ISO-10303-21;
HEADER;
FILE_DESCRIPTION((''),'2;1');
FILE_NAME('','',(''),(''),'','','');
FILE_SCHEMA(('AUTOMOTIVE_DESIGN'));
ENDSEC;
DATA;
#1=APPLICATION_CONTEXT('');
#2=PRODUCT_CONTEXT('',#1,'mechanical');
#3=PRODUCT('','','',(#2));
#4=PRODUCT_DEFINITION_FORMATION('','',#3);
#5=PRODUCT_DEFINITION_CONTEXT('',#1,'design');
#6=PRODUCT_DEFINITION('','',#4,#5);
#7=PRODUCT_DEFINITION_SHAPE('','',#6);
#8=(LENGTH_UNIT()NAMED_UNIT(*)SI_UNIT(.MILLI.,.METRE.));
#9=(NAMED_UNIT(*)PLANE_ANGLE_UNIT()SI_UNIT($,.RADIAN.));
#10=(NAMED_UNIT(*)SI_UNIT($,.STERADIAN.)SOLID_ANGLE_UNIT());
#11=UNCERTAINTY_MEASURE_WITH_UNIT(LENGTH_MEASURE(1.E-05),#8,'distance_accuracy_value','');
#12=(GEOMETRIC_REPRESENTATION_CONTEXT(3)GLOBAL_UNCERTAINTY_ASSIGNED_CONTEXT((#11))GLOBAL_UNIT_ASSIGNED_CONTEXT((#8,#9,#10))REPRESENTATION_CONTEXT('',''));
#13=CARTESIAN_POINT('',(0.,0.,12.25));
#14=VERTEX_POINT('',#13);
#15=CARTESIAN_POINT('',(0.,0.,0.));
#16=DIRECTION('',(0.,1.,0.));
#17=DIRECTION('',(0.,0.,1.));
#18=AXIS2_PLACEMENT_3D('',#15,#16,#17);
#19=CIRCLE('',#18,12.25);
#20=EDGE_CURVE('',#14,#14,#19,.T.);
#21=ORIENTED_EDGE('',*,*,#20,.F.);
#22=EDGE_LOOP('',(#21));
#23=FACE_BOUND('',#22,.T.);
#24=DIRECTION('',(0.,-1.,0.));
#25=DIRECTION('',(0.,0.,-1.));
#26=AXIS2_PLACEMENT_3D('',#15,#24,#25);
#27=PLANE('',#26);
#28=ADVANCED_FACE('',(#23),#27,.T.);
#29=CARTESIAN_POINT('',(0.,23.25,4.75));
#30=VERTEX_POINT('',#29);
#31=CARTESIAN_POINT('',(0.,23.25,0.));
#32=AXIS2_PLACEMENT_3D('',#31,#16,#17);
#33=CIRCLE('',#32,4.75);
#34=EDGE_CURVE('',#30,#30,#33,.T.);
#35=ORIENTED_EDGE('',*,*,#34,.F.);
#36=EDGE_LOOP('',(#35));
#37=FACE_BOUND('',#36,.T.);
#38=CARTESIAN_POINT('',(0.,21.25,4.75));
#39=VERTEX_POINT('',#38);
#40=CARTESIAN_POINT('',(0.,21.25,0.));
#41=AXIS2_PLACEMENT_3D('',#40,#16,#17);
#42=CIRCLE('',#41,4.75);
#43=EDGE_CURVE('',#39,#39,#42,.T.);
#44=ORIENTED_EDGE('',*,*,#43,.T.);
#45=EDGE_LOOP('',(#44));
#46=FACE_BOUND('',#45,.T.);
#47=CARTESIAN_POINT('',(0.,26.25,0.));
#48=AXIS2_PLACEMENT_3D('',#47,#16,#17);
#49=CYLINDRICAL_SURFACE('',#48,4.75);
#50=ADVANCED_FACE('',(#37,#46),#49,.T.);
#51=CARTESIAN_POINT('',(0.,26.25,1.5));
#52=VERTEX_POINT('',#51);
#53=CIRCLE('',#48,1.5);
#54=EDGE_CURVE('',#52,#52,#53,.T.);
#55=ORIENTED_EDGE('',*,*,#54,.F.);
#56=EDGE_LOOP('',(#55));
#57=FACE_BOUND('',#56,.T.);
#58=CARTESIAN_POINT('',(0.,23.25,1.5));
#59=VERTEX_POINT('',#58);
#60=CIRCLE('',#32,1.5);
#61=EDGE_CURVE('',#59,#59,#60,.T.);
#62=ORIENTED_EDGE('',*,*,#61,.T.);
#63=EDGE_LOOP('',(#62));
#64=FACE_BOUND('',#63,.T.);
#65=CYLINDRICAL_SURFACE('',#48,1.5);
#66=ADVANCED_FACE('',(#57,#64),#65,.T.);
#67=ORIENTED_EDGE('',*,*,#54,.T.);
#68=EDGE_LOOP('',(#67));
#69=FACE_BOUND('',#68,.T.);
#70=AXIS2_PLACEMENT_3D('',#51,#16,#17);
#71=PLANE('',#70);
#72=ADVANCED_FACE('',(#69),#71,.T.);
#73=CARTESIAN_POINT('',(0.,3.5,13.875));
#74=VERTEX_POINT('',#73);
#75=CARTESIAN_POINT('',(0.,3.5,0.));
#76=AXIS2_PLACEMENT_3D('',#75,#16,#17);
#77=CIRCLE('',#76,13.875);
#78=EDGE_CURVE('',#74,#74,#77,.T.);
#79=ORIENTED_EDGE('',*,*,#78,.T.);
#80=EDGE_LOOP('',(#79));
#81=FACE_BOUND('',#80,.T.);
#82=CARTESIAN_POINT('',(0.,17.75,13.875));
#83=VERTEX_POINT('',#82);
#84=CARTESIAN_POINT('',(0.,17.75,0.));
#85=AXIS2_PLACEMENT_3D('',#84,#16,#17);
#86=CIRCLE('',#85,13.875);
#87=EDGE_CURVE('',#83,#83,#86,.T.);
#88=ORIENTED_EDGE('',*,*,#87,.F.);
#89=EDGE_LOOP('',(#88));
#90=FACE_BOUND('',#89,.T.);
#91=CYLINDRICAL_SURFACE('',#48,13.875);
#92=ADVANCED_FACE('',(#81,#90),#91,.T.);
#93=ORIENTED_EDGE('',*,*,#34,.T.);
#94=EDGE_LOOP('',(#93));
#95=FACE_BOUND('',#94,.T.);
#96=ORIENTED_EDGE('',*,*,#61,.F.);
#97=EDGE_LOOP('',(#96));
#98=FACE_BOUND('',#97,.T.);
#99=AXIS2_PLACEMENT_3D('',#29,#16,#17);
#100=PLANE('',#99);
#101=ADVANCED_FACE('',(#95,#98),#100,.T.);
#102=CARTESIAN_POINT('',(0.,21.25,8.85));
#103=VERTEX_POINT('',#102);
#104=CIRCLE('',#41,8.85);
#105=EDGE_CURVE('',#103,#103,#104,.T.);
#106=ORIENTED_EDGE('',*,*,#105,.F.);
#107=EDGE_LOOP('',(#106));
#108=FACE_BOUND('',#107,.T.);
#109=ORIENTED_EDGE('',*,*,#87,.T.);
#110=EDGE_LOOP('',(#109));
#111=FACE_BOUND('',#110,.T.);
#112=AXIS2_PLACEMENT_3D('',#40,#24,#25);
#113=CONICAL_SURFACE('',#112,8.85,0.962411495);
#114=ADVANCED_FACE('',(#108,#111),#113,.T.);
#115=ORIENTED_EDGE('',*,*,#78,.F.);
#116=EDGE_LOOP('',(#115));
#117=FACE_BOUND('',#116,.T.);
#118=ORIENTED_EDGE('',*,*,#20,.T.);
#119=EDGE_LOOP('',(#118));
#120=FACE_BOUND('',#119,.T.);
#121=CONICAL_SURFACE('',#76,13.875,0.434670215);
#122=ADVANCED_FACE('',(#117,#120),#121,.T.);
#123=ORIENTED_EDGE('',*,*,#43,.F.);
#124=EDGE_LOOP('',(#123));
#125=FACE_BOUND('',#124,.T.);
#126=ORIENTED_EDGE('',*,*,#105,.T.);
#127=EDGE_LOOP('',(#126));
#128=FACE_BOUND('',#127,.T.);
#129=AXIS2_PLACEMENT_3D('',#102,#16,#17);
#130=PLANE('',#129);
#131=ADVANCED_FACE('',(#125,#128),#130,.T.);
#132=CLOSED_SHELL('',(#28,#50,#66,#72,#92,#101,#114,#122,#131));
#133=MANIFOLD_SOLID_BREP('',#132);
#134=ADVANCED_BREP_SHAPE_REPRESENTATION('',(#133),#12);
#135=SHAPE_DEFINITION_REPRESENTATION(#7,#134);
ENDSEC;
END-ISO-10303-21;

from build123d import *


with BuildPart() as part:
    # Sketch1 → Revolve1 (revolve)
    with BuildSketch(Plane(origin=(0, 0, 0), x_dir=(0, 0, -1), z_dir=(1, 0, 0))):
        Polygon((0, 0), (-12.25, 0), (-13.875, 3.5), (-13.875, 17.75), (-8.85, 21.25), (-4.75, 21.25), (-4.75, 23.25), (-1.5, 23.25), (-1.5, 26.25), (0, 26.25), align=None)
    revolve(axis=Axis((0, 26.25, 0), (0, -1, 0)))


solid = part.part
